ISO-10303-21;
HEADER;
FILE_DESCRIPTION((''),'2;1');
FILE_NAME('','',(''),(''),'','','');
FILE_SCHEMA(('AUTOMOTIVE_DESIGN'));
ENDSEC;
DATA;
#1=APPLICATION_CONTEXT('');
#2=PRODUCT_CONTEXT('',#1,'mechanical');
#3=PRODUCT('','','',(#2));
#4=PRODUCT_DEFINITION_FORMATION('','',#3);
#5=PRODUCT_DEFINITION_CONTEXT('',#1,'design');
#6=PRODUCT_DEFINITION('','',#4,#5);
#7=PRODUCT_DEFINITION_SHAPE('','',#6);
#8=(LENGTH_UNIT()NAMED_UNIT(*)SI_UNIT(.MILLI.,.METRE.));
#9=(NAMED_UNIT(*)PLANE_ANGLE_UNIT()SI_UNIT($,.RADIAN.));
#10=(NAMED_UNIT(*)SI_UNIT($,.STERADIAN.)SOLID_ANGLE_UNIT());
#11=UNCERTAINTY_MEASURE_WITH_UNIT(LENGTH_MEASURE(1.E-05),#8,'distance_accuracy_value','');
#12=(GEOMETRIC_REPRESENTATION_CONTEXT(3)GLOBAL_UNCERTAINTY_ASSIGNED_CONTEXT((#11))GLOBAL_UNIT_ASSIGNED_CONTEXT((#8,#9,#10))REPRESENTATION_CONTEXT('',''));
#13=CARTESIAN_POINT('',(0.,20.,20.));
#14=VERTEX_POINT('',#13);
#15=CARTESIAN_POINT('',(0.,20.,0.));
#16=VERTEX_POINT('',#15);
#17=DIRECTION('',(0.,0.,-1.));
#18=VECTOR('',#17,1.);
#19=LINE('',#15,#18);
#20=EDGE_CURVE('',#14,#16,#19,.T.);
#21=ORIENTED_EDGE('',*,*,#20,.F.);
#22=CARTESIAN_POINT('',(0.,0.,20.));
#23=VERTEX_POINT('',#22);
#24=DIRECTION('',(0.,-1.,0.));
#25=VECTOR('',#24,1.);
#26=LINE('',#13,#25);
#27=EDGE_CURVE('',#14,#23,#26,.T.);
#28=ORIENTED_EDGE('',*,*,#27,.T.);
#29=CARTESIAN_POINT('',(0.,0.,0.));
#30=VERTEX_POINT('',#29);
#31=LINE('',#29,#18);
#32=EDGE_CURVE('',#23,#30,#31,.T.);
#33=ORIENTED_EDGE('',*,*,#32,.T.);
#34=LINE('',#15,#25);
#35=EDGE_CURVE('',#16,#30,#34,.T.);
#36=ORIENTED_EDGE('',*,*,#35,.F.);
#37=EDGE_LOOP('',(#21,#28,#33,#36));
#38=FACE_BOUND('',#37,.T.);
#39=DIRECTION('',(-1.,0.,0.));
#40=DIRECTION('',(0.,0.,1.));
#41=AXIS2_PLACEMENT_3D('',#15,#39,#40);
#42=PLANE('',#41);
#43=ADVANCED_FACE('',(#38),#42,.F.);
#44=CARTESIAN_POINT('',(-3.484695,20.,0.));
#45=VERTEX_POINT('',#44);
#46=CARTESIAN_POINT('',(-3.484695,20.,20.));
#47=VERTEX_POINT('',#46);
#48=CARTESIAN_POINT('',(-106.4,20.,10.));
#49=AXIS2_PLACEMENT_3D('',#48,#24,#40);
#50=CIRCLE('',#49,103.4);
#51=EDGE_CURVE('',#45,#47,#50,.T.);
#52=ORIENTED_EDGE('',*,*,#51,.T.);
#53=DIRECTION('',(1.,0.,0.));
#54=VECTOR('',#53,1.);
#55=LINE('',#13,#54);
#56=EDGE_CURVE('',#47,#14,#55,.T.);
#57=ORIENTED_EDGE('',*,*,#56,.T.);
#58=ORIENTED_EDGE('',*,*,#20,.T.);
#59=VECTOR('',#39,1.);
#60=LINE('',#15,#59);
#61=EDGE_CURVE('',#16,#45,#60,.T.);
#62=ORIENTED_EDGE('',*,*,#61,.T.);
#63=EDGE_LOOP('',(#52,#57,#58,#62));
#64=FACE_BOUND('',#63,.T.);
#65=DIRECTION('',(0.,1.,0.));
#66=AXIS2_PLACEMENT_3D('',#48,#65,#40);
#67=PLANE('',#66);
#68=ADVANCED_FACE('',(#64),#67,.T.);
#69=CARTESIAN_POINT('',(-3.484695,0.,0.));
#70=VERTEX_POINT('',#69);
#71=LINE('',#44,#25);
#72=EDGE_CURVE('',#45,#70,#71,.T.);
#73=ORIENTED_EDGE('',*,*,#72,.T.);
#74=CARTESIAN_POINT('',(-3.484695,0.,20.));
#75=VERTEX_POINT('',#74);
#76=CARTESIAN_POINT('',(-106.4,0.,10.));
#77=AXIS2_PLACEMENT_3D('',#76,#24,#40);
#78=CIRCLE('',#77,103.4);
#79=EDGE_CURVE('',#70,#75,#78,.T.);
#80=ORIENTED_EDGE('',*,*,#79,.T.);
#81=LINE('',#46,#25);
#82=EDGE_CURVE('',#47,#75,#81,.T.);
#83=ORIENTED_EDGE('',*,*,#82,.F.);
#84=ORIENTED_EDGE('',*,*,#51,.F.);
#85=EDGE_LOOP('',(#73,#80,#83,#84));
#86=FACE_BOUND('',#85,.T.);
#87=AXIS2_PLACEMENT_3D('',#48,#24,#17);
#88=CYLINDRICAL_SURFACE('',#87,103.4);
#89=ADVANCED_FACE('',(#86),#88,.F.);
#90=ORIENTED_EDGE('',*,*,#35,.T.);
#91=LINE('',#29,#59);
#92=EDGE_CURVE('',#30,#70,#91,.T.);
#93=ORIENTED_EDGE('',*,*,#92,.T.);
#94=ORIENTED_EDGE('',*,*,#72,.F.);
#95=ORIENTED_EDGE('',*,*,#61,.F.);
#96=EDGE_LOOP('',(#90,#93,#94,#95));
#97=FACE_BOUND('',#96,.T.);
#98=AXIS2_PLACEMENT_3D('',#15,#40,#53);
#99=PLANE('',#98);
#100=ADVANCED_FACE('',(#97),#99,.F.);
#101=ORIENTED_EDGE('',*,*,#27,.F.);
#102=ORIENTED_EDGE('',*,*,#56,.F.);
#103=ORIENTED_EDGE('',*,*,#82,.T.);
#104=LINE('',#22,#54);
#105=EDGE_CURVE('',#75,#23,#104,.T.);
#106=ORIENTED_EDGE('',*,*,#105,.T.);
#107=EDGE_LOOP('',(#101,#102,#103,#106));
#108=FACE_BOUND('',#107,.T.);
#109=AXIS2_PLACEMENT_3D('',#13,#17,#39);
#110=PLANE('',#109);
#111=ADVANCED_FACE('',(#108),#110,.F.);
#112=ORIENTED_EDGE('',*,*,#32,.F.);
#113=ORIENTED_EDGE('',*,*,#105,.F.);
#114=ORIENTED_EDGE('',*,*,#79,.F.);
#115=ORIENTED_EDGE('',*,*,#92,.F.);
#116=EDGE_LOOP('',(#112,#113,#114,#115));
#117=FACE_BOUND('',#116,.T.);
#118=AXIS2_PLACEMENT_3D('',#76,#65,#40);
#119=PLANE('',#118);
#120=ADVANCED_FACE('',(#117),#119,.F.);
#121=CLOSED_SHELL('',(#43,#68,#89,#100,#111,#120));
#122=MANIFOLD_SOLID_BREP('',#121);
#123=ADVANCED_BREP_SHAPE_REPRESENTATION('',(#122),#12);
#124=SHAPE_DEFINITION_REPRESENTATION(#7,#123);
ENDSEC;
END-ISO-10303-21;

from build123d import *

# Parameters (mm, degrees)
EXTRUDE_1_DEPTH = 20


with BuildPart() as part:
    # 草图1 → 凸台-拉伸1 (new body)
    with BuildSketch(Plane(origin=(0, 0, 0), x_dir=(1, 0, 0), z_dir=(0, 1, 0))):
        with BuildLine():
            Line((0, 0), (0, -20))
            Line((0, -20), (-3.484695016, -20))
            ThreePointArc((-3.484695016, -20), (-3, -10), (-3.484695016, 0))
            Line((-3.484695016, 0), (0, 0))
        make_face()
    extrude(amount=EXTRUDE_1_DEPTH)


solid = part.part
